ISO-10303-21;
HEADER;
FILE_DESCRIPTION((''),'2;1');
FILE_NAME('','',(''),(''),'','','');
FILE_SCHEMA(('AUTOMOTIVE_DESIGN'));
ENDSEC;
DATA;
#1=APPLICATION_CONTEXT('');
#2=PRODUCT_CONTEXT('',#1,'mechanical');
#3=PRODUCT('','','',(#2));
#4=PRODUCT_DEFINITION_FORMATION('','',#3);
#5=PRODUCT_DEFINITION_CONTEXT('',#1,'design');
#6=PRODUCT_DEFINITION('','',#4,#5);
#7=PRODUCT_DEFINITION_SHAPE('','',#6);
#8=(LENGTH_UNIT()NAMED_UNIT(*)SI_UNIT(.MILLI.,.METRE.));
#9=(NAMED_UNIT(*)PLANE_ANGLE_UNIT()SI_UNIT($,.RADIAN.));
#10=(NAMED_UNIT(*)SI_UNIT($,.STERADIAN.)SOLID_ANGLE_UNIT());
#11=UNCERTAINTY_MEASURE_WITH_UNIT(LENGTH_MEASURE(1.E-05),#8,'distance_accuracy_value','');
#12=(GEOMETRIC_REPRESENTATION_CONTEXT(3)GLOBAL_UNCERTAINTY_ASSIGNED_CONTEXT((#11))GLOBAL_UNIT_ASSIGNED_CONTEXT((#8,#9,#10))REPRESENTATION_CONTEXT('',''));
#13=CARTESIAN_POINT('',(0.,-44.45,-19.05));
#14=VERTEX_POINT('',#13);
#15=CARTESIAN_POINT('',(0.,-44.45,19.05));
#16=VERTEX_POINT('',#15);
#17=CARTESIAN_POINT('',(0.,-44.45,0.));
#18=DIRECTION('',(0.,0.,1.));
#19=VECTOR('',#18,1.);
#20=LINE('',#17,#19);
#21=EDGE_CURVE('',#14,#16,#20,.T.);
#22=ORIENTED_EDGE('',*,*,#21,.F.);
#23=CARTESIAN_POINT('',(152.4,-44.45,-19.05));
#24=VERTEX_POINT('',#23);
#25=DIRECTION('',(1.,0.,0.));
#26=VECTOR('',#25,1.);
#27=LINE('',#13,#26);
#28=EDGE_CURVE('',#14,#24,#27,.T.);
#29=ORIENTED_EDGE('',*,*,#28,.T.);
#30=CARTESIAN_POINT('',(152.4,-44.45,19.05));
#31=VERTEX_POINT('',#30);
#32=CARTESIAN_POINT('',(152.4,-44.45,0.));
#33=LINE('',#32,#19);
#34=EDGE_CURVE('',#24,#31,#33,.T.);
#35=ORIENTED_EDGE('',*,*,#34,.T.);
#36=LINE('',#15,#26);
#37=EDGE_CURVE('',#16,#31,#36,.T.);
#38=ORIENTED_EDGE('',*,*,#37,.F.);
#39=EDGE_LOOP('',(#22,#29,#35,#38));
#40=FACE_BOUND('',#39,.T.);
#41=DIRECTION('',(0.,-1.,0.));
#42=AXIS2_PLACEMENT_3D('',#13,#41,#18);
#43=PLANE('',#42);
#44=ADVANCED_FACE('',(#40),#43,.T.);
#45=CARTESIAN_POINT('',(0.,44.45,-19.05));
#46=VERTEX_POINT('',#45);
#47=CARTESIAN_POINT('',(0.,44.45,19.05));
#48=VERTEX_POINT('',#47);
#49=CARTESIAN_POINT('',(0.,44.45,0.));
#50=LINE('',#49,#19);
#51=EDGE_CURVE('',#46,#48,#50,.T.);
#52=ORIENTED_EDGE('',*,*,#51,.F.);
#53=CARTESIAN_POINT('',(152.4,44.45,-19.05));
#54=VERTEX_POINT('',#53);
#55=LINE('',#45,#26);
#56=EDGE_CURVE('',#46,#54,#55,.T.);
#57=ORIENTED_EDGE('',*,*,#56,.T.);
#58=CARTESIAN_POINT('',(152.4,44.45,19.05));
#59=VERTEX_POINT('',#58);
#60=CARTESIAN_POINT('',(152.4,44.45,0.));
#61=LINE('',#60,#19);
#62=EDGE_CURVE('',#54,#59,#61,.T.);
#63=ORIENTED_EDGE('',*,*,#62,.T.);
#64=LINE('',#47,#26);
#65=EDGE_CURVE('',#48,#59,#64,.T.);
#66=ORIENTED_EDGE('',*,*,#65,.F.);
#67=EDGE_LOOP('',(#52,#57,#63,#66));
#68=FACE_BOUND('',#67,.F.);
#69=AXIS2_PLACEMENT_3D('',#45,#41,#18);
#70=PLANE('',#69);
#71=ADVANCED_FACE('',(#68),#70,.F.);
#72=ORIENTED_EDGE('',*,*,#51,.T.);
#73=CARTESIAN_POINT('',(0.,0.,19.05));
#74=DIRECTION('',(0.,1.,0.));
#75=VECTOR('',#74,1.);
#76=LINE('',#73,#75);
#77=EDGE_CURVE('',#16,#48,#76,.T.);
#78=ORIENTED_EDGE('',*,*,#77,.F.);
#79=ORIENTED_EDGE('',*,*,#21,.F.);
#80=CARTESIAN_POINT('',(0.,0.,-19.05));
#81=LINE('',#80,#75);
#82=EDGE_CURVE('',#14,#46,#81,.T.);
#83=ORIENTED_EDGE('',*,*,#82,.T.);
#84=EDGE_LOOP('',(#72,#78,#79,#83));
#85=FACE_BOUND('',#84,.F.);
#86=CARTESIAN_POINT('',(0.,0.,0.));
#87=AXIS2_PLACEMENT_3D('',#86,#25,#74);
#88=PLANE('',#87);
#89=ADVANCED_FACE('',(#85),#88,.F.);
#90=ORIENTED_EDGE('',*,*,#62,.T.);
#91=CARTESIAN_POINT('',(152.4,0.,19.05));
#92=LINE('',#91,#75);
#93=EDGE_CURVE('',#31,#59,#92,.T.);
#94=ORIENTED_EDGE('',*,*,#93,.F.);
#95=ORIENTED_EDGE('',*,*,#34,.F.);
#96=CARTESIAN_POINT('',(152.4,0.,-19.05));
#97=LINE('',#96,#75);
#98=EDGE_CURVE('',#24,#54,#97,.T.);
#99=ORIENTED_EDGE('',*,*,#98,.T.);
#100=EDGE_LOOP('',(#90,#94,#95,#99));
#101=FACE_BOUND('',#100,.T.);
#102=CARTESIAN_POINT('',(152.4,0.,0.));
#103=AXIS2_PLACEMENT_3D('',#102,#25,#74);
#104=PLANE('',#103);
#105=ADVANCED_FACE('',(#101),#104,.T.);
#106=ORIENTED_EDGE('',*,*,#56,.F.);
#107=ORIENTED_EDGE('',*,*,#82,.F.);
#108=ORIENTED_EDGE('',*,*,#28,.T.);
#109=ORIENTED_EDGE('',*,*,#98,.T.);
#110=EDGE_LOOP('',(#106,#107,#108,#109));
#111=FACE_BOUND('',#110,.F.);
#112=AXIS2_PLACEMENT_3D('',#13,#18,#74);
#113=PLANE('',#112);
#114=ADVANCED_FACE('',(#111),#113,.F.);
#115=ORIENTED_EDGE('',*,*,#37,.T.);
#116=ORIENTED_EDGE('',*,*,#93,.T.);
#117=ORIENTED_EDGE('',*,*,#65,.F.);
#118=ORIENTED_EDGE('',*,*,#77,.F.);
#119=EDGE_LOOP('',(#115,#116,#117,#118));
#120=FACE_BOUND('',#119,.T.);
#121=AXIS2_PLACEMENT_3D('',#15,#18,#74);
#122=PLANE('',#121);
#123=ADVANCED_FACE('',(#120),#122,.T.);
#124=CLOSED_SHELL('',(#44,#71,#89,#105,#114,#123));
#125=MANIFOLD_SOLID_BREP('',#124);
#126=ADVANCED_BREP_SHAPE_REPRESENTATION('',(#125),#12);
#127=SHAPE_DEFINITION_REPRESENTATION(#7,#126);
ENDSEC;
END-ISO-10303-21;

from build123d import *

# Parameters (mm, degrees)
F0_W     = 88.9
F0_H     = 38.1
F1_DEPTH = 152.4


with BuildPart() as f1:
    # F0 (on Right) → F1 (new body)
    with BuildSketch(Plane.YZ):
        Rectangle(F0_W, F0_H)
    extrude(amount=F1_DEPTH)


solid = f1.part
